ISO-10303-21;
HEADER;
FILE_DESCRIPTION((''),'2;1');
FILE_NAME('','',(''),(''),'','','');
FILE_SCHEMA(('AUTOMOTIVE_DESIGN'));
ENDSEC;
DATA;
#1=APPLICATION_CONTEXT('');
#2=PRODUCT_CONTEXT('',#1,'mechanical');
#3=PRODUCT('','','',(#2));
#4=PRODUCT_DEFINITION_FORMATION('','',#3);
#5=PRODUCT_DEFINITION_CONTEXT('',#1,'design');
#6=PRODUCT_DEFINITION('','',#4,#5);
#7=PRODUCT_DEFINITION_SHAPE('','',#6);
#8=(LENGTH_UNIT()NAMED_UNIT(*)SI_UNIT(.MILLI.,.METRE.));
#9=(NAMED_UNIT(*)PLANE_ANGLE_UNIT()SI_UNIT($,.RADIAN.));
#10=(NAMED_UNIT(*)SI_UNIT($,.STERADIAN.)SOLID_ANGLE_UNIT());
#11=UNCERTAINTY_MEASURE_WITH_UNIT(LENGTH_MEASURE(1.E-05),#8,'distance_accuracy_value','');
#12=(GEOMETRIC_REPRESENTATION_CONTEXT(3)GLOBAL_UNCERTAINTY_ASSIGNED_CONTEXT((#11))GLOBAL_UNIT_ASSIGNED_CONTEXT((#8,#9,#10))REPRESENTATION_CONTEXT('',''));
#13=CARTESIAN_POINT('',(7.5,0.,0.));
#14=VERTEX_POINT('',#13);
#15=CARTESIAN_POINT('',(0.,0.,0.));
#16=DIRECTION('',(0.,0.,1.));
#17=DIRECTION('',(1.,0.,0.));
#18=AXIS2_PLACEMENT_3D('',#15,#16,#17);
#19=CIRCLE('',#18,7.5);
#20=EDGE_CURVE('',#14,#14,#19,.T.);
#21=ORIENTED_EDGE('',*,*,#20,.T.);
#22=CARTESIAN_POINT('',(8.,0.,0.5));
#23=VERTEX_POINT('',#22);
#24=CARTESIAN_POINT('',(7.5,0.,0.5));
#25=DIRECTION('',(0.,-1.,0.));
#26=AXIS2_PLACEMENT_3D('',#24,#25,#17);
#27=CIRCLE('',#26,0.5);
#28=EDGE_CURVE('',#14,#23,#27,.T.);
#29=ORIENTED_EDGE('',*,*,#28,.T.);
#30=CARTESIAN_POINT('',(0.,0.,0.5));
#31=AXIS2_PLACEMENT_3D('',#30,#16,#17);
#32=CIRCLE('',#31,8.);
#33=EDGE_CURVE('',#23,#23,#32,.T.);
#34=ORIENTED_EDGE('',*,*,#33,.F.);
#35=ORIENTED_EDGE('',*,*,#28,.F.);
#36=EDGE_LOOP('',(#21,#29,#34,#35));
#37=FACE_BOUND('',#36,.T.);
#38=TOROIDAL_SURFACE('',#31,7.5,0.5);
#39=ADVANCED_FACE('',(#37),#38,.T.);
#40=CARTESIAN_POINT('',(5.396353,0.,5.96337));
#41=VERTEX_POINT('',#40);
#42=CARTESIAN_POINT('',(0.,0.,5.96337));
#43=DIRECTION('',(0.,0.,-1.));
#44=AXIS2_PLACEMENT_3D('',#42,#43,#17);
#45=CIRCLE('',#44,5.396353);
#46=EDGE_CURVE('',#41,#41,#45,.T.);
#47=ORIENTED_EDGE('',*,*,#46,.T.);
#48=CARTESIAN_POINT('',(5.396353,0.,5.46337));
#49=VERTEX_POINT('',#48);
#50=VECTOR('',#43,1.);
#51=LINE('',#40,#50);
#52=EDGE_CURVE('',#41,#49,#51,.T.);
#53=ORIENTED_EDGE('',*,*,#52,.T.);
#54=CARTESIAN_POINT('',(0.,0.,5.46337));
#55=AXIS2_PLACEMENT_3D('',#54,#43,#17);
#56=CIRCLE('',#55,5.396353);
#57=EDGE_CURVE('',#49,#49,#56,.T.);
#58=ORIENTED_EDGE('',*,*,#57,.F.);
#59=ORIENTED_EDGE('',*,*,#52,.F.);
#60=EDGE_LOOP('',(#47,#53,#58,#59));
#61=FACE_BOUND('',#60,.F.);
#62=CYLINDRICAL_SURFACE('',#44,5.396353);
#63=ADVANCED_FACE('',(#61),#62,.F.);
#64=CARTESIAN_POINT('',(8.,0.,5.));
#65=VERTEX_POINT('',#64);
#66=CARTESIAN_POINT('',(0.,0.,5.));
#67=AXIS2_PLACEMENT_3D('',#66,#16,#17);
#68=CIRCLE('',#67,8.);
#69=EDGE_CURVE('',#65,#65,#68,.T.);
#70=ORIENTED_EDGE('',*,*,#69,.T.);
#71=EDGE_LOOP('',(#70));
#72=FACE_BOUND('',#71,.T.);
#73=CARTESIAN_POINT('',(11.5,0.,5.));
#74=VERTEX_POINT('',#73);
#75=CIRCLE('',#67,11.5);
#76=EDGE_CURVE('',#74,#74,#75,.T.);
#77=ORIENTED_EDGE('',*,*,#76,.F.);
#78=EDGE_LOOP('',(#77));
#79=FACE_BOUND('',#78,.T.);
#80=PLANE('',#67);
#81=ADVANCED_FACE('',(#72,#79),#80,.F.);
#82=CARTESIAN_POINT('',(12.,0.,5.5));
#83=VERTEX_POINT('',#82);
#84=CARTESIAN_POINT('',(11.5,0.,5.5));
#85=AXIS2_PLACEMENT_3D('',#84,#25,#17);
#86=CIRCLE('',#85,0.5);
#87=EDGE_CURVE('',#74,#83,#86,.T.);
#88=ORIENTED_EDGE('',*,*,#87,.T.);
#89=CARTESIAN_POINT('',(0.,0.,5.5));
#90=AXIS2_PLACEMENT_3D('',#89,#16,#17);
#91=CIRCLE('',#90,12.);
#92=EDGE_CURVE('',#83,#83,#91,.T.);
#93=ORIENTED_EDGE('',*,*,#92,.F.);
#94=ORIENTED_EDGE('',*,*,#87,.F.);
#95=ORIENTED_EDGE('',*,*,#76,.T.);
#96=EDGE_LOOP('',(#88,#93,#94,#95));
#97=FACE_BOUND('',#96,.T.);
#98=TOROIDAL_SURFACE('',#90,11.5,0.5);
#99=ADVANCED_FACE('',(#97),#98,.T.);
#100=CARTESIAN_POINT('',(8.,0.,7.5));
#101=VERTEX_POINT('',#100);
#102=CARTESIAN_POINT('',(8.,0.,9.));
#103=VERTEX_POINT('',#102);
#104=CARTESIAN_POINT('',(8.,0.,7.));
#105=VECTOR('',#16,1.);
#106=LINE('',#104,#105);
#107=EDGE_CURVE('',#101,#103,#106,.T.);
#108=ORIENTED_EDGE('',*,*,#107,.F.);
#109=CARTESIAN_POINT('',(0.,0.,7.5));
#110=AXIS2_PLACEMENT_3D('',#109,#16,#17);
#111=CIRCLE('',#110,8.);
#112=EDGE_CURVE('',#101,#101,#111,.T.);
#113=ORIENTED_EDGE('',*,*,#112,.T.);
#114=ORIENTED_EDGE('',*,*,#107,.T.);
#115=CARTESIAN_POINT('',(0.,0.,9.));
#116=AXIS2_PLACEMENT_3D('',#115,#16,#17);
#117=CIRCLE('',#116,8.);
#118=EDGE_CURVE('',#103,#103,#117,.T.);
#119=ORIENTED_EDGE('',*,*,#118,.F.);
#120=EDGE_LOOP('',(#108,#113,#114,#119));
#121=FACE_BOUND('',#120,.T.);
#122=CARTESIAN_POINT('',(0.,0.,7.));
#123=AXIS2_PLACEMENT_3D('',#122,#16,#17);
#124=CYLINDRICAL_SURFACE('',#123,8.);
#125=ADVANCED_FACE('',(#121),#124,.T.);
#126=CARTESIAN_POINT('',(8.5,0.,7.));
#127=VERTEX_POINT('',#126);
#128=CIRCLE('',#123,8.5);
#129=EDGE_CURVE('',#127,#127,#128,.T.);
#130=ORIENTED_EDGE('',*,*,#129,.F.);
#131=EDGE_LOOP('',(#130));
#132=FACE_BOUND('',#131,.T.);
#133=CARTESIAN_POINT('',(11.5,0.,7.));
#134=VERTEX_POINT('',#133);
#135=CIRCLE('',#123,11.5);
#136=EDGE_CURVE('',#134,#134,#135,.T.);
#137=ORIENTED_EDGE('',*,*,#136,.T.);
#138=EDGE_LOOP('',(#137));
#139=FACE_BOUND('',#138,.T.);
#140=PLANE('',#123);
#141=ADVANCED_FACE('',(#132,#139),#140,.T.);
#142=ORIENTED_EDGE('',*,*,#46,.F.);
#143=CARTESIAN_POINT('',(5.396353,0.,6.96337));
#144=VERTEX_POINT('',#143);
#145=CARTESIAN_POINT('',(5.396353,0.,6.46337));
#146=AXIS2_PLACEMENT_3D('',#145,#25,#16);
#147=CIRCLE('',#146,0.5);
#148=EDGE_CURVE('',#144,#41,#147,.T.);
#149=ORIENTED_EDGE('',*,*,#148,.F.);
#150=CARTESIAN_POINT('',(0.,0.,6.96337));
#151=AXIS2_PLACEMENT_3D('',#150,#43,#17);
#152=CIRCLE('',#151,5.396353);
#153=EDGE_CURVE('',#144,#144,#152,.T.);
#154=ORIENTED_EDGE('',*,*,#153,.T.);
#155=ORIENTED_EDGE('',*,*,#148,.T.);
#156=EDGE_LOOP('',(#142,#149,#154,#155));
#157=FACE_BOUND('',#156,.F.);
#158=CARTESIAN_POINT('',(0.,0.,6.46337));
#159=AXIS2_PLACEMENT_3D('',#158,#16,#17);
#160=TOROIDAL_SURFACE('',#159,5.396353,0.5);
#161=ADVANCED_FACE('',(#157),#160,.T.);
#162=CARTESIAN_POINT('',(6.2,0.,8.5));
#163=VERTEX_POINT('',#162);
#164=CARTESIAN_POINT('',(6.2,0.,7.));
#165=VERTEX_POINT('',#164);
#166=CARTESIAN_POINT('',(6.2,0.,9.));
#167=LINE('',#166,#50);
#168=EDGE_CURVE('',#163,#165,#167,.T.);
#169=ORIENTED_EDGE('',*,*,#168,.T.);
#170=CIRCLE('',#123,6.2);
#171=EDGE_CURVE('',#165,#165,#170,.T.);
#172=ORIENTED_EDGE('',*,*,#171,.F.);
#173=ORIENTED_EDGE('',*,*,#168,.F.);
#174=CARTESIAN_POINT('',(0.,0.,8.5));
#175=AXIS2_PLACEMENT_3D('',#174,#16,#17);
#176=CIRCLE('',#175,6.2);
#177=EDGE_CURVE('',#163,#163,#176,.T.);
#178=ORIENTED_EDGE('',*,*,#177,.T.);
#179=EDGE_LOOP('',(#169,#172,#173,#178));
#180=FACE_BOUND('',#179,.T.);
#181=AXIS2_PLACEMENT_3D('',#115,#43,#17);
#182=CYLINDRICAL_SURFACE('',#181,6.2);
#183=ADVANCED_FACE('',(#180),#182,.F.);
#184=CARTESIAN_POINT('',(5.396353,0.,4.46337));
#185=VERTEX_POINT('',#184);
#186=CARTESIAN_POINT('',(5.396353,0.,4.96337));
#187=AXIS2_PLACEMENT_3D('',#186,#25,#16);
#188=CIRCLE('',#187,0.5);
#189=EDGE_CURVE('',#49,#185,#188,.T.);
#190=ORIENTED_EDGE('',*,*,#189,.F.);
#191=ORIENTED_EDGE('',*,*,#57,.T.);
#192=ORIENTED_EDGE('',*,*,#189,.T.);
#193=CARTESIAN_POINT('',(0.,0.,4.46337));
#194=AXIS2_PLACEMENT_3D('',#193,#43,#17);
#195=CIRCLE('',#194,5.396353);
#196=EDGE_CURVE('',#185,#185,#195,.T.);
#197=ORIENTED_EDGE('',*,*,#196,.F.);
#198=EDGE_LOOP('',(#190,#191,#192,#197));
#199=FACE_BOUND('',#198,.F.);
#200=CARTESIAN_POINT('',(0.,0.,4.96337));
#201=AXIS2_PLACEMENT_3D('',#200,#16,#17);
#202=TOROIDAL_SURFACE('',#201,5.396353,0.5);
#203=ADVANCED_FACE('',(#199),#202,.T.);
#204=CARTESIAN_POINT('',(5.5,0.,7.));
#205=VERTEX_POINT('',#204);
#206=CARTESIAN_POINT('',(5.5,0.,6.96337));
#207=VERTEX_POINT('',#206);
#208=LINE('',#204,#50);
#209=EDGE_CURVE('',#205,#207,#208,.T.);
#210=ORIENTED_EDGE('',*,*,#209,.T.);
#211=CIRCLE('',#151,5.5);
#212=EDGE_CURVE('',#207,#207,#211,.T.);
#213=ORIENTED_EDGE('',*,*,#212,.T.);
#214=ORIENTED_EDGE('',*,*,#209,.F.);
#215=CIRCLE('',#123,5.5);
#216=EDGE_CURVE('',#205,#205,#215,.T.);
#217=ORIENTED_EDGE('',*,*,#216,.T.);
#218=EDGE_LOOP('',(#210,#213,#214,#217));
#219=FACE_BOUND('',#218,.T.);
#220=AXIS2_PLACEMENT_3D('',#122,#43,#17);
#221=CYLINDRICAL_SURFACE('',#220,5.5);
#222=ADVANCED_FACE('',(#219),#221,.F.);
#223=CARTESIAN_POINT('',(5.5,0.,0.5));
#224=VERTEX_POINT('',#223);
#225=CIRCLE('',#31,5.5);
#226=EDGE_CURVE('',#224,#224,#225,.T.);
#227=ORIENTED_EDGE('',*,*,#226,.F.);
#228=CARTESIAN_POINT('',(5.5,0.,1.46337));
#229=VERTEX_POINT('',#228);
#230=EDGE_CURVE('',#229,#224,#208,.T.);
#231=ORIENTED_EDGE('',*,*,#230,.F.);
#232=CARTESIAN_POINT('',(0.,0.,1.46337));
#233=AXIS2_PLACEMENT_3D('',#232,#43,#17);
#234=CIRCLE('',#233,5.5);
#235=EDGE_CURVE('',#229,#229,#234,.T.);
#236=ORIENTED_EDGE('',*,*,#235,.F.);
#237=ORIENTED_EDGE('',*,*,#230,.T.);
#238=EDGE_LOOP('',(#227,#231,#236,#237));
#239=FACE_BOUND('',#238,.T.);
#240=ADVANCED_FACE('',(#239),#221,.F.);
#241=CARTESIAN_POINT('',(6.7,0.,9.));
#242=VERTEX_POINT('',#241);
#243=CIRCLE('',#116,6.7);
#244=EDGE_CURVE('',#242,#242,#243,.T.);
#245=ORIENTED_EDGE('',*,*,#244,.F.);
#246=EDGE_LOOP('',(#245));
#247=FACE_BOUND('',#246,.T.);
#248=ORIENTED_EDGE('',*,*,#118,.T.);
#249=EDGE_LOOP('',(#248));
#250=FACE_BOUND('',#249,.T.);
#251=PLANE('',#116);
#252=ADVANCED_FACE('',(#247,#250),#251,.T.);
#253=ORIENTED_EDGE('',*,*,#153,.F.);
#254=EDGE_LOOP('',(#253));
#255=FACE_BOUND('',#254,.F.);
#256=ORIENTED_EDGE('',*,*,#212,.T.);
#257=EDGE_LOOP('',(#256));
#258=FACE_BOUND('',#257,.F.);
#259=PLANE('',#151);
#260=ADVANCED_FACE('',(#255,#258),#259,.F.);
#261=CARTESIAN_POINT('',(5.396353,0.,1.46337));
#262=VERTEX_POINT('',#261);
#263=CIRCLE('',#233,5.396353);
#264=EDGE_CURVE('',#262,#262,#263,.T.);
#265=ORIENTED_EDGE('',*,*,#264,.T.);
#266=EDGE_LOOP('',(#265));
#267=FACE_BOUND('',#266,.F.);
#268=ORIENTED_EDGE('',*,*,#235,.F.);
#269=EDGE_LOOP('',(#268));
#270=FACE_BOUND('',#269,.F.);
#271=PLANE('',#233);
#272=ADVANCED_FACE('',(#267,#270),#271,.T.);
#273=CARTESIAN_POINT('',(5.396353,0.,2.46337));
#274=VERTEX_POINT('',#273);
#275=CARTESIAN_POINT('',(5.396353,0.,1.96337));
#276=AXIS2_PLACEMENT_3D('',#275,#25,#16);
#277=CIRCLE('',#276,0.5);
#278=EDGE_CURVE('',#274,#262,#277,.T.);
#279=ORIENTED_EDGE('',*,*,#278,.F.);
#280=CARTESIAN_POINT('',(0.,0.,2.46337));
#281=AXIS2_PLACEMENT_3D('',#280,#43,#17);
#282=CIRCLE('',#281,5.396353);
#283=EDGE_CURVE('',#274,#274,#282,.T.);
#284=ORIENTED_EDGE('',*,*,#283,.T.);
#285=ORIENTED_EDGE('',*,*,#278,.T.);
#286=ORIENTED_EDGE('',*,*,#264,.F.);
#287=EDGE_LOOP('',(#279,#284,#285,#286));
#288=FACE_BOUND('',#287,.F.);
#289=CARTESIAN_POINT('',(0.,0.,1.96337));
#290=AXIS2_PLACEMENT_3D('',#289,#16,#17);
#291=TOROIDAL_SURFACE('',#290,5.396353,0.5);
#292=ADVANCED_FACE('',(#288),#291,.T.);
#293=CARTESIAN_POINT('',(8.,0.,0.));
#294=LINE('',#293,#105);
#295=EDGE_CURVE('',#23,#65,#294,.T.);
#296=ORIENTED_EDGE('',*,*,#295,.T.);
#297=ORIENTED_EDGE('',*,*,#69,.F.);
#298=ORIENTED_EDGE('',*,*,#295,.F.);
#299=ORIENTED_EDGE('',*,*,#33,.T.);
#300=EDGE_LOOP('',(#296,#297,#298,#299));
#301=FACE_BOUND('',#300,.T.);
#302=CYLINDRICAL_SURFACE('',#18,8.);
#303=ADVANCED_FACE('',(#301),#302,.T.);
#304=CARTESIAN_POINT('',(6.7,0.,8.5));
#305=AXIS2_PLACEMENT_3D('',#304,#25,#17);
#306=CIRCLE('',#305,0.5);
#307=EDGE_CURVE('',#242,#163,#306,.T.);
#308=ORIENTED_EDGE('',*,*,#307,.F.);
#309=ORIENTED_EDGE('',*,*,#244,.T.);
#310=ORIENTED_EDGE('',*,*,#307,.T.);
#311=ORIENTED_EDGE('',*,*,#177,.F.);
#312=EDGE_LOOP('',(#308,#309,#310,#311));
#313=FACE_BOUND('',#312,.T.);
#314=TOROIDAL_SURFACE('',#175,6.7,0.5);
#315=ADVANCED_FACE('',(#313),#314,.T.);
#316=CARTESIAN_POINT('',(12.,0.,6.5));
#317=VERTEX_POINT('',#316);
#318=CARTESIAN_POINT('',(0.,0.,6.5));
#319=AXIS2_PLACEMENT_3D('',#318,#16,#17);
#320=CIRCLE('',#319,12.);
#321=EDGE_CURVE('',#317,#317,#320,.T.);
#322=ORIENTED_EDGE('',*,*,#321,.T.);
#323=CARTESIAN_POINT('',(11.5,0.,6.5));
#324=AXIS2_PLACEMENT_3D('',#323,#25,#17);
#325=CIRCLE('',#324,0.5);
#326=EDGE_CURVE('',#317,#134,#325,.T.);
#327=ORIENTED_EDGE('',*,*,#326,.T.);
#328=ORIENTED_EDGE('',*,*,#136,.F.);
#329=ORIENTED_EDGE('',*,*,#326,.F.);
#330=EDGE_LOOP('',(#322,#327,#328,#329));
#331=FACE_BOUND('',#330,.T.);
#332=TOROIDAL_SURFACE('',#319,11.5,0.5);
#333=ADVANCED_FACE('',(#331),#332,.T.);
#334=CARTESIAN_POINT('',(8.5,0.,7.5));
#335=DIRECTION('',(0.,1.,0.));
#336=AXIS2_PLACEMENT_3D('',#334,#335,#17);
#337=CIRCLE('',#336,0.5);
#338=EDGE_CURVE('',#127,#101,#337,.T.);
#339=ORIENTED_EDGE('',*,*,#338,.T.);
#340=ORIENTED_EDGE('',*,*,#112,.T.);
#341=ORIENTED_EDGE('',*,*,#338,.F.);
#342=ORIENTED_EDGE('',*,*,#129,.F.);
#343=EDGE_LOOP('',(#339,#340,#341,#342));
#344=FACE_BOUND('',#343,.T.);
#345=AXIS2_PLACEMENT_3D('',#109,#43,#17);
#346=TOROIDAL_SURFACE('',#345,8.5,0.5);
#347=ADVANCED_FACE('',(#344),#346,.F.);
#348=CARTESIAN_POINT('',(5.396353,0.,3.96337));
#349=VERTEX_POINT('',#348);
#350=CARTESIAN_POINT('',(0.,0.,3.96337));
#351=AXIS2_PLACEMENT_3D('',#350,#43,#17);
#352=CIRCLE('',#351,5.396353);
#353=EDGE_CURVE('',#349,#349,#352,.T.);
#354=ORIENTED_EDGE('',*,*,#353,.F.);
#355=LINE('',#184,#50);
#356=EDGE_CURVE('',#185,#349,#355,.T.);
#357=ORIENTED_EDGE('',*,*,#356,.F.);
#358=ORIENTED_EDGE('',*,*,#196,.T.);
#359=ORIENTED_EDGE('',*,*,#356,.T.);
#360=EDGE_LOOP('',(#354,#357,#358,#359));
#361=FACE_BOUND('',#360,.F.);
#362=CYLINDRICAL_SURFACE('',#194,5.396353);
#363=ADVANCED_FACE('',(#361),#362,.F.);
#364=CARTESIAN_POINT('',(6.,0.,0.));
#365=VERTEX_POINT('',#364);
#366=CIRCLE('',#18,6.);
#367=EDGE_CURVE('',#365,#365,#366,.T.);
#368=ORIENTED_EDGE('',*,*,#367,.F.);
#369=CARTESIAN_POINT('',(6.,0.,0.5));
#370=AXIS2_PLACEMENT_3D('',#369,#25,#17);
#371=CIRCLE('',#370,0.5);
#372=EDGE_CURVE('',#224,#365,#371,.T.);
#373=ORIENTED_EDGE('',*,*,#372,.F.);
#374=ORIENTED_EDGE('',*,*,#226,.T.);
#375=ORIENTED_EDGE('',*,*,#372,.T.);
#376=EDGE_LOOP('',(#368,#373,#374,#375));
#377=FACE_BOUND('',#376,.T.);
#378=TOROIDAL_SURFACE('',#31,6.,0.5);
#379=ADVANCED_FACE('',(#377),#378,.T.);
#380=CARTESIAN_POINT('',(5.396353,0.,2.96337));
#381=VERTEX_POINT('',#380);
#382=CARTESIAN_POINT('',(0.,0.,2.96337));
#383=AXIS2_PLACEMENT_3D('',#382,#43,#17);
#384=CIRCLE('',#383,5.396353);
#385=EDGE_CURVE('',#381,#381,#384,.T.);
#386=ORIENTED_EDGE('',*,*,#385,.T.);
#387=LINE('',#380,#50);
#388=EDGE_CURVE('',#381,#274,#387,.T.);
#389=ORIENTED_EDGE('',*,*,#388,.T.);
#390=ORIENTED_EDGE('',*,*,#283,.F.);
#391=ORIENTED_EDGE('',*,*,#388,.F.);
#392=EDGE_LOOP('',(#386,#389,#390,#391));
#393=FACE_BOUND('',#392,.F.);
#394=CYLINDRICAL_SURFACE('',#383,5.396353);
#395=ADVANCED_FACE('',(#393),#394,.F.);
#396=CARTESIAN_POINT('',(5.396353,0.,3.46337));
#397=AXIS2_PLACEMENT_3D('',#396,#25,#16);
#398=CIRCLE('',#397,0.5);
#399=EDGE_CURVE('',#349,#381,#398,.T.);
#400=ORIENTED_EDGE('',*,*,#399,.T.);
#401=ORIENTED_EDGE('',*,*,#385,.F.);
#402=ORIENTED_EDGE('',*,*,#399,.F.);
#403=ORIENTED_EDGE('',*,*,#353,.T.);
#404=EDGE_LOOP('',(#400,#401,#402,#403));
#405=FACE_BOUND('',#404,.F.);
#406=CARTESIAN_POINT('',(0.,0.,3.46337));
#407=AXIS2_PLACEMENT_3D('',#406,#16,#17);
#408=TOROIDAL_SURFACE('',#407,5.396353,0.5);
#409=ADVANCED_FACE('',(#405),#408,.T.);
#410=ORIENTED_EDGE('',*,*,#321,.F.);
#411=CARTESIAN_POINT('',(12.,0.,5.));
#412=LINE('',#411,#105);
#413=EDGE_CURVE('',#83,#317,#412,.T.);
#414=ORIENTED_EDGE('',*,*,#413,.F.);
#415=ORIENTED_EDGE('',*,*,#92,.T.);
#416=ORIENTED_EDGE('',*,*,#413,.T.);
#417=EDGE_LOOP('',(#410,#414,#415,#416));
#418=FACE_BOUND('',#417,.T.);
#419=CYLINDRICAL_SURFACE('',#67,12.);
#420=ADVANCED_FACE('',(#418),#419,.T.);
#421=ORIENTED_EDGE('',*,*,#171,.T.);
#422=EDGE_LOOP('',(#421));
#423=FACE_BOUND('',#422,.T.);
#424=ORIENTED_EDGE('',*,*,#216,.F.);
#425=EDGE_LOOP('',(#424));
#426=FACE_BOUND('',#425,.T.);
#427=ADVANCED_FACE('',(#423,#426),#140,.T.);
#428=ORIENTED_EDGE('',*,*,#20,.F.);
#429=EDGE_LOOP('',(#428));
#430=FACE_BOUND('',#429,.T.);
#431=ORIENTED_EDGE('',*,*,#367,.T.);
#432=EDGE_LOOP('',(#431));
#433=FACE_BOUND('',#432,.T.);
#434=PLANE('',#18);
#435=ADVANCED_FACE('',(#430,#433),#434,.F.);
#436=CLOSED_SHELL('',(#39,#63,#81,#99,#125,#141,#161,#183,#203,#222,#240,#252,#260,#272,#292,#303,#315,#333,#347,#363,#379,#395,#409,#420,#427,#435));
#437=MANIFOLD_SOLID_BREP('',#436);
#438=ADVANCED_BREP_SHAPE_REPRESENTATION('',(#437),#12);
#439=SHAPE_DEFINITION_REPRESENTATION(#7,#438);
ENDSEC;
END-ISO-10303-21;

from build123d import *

# Parameters (mm, degrees)
F2_R = 0.5


with BuildPart() as f1:
    # F0 (on Front) → F1 (revolve)
    with BuildSketch(Plane.XZ):
        Polygon((5.5, 7), (5.5, 0), (8, 0), (8, 5), (12, 5), (12, 7), (8, 7), (8, 9), (6.2, 9), (6.2, 7), align=None)
    revolve(axis=Axis((0, 0, 3.496905), (0, 0, 1)))

    # F2
    f2_edges = [f1.edges().sort_by_distance(p)[0] for p in [
        (-8, 0, 7),
        (-6.2, 0, 9),
        (-12, 0, 7),
        (-12, 0, 5),
        (-8, 0, 0),
        (-5.5, 0, 0),
    ]]
    fillet(f2_edges, radius=F2_R)

    # F3 (on Front) → F4 (revolve)
    with BuildSketch(Plane.XZ):
        with BuildLine():
            Line((5.396353, 2.96337), (5.396353, 2.46337))
            ThreePointArc((5.396353, 2.46337), (4.896353, 1.96337), (5.396353, 1.46337))
            Line((5.396353, 1.46337), (5.629015, 1.46337))
            Line((5.629015, 1.46337), (5.629015, 6.96337))
            Line((5.629015, 6.96337), (5.396353, 6.96337))
            ThreePointArc((5.396353, 6.96337), (4.896353, 6.46337), (5.396353, 5.96337))
            Line((5.396353, 5.96337), (5.396353, 5.46337))
            ThreePointArc((5.396353, 5.46337), (4.896353, 4.96337), (5.396353, 4.46337))
            Line((5.396353, 4.46337), (5.396353, 3.96337))
            ThreePointArc((5.396353, 3.96337), (4.896353, 3.46337), (5.396353, 2.96337))
        make_face()
    revolve(axis=Axis((0, 0, 4.75897), (0, 0, -1)))


solid = f1.part
